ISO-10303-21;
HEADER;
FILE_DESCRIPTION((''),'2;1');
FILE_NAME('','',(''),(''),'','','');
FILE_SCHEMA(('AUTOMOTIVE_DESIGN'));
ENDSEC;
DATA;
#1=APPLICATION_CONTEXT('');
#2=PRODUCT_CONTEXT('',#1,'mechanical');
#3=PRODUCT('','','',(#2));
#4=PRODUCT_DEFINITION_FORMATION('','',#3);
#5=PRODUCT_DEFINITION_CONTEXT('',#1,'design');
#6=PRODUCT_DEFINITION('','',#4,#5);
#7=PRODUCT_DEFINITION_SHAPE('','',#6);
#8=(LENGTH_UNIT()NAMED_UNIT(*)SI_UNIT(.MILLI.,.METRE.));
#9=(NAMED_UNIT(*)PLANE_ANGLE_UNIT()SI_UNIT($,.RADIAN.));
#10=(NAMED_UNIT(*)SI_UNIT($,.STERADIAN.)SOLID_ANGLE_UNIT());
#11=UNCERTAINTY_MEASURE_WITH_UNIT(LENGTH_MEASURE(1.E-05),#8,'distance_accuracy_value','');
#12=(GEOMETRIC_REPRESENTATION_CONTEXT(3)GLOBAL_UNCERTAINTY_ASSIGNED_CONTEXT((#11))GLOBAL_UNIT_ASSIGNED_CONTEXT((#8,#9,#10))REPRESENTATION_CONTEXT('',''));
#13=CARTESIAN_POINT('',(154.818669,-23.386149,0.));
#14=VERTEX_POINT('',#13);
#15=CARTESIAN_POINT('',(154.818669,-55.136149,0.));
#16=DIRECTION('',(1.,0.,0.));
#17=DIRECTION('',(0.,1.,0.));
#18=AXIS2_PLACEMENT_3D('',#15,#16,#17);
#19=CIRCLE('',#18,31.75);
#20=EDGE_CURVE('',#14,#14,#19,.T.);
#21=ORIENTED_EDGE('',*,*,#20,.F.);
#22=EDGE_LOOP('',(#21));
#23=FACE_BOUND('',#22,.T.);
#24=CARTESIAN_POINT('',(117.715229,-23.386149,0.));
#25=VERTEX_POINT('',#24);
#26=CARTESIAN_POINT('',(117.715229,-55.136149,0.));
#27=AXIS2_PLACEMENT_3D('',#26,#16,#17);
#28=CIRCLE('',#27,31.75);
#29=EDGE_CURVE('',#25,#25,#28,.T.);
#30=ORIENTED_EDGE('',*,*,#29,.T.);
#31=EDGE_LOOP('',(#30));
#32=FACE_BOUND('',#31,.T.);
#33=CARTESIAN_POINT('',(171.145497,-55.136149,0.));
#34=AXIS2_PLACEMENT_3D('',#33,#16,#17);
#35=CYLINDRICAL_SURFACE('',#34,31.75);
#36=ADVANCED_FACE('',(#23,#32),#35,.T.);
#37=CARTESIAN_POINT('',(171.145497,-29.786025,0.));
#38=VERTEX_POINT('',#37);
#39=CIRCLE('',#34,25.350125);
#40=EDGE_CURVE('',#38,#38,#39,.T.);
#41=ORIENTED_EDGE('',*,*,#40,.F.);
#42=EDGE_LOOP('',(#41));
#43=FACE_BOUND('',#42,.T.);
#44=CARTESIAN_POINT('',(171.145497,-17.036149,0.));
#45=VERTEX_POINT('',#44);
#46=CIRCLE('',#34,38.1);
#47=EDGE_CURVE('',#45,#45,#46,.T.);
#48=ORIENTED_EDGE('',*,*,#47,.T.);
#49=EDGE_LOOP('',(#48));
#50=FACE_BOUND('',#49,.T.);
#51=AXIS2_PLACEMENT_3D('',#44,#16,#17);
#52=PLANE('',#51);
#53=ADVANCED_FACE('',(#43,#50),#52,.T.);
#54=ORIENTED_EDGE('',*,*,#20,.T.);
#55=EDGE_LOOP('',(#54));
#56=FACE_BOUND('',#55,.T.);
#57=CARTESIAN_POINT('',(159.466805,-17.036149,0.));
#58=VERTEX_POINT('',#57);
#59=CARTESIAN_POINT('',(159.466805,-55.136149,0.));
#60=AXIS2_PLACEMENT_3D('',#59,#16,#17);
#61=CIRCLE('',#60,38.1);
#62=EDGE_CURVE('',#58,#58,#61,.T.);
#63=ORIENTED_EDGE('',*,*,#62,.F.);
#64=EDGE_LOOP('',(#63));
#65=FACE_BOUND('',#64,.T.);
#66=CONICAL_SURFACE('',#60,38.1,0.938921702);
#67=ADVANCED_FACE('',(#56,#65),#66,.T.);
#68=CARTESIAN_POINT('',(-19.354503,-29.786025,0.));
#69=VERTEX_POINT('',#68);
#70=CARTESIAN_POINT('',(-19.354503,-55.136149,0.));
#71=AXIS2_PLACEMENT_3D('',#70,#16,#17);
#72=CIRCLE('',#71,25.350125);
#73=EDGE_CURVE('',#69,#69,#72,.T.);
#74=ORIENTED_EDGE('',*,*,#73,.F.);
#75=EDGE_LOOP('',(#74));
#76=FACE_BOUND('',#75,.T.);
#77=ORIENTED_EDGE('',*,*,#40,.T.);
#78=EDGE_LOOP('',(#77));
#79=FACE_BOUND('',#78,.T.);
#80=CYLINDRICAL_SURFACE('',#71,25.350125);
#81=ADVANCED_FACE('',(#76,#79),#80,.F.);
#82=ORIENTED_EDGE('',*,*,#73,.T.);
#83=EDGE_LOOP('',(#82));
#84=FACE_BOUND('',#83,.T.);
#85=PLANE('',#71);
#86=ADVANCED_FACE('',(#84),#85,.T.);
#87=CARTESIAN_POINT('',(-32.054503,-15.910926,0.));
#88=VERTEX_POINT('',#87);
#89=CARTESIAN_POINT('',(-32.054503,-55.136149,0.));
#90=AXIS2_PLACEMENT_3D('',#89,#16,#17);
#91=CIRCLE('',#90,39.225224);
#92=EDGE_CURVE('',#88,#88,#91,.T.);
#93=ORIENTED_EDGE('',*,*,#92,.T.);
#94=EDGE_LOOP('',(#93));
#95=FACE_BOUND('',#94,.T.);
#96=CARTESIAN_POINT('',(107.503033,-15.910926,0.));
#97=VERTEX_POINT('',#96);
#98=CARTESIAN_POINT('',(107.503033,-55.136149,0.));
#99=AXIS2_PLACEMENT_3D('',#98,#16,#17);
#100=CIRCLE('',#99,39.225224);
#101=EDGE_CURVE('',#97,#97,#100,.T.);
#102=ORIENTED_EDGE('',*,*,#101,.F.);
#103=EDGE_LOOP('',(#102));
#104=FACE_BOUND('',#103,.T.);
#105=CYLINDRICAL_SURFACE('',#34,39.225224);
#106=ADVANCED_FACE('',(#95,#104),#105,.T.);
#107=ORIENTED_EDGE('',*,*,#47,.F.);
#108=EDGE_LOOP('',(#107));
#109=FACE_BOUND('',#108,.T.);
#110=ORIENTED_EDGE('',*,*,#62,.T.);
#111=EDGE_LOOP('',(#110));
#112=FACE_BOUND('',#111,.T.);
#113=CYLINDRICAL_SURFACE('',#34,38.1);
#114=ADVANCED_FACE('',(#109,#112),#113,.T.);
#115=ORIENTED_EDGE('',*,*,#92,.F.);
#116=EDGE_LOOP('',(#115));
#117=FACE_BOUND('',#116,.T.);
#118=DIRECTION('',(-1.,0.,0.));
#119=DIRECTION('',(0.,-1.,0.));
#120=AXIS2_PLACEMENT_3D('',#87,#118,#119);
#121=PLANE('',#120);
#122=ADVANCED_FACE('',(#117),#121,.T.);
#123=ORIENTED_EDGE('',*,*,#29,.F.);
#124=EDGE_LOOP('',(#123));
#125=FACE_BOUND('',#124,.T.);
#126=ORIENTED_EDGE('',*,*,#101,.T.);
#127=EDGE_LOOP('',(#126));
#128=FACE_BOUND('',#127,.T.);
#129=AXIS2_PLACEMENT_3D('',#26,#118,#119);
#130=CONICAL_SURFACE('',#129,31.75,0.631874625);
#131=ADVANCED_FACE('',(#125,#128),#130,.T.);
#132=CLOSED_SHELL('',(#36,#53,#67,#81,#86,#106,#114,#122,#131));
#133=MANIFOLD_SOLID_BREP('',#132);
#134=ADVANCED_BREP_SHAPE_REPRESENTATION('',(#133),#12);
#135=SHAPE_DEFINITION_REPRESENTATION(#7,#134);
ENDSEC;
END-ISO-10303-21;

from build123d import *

# Parameters (mm, degrees)
SKETCH4_R          = 25.350124824
CUT_EXTRUDE1_DEPTH = 190.5


with BuildPart() as part:
    # Sketch1 → Revolve1 (revolve)
    with BuildSketch(Plane.XY):
        Polygon((107.503032851, -15.910925594), (117.715228697, -23.386149331), (154.81866926, -23.386149331), (159.466804827, -17.036149331), (171.145497316, -17.036149331), (171.145497316, -55.136149331), (-32.054502684, -55.136149331), (-32.054502684, -15.910925594), align=None)
    revolve(axis=Axis((171.145497316, -55.136149331, 0), (-1, 0, 0)))

    # Sketch4 → Cut-Extrude1 (cut)
    with BuildSketch(Plane(origin=(171.145497316, 0, 0), x_dir=(0, 0, -1), z_dir=(1, 0, 0))):
        with Locations(Location((0, -55.136149331, 0), (0, 0, 90))):
            Circle(SKETCH4_R)
    extrude(amount=-CUT_EXTRUDE1_DEPTH, mode=Mode.SUBTRACT)


solid = part.part
